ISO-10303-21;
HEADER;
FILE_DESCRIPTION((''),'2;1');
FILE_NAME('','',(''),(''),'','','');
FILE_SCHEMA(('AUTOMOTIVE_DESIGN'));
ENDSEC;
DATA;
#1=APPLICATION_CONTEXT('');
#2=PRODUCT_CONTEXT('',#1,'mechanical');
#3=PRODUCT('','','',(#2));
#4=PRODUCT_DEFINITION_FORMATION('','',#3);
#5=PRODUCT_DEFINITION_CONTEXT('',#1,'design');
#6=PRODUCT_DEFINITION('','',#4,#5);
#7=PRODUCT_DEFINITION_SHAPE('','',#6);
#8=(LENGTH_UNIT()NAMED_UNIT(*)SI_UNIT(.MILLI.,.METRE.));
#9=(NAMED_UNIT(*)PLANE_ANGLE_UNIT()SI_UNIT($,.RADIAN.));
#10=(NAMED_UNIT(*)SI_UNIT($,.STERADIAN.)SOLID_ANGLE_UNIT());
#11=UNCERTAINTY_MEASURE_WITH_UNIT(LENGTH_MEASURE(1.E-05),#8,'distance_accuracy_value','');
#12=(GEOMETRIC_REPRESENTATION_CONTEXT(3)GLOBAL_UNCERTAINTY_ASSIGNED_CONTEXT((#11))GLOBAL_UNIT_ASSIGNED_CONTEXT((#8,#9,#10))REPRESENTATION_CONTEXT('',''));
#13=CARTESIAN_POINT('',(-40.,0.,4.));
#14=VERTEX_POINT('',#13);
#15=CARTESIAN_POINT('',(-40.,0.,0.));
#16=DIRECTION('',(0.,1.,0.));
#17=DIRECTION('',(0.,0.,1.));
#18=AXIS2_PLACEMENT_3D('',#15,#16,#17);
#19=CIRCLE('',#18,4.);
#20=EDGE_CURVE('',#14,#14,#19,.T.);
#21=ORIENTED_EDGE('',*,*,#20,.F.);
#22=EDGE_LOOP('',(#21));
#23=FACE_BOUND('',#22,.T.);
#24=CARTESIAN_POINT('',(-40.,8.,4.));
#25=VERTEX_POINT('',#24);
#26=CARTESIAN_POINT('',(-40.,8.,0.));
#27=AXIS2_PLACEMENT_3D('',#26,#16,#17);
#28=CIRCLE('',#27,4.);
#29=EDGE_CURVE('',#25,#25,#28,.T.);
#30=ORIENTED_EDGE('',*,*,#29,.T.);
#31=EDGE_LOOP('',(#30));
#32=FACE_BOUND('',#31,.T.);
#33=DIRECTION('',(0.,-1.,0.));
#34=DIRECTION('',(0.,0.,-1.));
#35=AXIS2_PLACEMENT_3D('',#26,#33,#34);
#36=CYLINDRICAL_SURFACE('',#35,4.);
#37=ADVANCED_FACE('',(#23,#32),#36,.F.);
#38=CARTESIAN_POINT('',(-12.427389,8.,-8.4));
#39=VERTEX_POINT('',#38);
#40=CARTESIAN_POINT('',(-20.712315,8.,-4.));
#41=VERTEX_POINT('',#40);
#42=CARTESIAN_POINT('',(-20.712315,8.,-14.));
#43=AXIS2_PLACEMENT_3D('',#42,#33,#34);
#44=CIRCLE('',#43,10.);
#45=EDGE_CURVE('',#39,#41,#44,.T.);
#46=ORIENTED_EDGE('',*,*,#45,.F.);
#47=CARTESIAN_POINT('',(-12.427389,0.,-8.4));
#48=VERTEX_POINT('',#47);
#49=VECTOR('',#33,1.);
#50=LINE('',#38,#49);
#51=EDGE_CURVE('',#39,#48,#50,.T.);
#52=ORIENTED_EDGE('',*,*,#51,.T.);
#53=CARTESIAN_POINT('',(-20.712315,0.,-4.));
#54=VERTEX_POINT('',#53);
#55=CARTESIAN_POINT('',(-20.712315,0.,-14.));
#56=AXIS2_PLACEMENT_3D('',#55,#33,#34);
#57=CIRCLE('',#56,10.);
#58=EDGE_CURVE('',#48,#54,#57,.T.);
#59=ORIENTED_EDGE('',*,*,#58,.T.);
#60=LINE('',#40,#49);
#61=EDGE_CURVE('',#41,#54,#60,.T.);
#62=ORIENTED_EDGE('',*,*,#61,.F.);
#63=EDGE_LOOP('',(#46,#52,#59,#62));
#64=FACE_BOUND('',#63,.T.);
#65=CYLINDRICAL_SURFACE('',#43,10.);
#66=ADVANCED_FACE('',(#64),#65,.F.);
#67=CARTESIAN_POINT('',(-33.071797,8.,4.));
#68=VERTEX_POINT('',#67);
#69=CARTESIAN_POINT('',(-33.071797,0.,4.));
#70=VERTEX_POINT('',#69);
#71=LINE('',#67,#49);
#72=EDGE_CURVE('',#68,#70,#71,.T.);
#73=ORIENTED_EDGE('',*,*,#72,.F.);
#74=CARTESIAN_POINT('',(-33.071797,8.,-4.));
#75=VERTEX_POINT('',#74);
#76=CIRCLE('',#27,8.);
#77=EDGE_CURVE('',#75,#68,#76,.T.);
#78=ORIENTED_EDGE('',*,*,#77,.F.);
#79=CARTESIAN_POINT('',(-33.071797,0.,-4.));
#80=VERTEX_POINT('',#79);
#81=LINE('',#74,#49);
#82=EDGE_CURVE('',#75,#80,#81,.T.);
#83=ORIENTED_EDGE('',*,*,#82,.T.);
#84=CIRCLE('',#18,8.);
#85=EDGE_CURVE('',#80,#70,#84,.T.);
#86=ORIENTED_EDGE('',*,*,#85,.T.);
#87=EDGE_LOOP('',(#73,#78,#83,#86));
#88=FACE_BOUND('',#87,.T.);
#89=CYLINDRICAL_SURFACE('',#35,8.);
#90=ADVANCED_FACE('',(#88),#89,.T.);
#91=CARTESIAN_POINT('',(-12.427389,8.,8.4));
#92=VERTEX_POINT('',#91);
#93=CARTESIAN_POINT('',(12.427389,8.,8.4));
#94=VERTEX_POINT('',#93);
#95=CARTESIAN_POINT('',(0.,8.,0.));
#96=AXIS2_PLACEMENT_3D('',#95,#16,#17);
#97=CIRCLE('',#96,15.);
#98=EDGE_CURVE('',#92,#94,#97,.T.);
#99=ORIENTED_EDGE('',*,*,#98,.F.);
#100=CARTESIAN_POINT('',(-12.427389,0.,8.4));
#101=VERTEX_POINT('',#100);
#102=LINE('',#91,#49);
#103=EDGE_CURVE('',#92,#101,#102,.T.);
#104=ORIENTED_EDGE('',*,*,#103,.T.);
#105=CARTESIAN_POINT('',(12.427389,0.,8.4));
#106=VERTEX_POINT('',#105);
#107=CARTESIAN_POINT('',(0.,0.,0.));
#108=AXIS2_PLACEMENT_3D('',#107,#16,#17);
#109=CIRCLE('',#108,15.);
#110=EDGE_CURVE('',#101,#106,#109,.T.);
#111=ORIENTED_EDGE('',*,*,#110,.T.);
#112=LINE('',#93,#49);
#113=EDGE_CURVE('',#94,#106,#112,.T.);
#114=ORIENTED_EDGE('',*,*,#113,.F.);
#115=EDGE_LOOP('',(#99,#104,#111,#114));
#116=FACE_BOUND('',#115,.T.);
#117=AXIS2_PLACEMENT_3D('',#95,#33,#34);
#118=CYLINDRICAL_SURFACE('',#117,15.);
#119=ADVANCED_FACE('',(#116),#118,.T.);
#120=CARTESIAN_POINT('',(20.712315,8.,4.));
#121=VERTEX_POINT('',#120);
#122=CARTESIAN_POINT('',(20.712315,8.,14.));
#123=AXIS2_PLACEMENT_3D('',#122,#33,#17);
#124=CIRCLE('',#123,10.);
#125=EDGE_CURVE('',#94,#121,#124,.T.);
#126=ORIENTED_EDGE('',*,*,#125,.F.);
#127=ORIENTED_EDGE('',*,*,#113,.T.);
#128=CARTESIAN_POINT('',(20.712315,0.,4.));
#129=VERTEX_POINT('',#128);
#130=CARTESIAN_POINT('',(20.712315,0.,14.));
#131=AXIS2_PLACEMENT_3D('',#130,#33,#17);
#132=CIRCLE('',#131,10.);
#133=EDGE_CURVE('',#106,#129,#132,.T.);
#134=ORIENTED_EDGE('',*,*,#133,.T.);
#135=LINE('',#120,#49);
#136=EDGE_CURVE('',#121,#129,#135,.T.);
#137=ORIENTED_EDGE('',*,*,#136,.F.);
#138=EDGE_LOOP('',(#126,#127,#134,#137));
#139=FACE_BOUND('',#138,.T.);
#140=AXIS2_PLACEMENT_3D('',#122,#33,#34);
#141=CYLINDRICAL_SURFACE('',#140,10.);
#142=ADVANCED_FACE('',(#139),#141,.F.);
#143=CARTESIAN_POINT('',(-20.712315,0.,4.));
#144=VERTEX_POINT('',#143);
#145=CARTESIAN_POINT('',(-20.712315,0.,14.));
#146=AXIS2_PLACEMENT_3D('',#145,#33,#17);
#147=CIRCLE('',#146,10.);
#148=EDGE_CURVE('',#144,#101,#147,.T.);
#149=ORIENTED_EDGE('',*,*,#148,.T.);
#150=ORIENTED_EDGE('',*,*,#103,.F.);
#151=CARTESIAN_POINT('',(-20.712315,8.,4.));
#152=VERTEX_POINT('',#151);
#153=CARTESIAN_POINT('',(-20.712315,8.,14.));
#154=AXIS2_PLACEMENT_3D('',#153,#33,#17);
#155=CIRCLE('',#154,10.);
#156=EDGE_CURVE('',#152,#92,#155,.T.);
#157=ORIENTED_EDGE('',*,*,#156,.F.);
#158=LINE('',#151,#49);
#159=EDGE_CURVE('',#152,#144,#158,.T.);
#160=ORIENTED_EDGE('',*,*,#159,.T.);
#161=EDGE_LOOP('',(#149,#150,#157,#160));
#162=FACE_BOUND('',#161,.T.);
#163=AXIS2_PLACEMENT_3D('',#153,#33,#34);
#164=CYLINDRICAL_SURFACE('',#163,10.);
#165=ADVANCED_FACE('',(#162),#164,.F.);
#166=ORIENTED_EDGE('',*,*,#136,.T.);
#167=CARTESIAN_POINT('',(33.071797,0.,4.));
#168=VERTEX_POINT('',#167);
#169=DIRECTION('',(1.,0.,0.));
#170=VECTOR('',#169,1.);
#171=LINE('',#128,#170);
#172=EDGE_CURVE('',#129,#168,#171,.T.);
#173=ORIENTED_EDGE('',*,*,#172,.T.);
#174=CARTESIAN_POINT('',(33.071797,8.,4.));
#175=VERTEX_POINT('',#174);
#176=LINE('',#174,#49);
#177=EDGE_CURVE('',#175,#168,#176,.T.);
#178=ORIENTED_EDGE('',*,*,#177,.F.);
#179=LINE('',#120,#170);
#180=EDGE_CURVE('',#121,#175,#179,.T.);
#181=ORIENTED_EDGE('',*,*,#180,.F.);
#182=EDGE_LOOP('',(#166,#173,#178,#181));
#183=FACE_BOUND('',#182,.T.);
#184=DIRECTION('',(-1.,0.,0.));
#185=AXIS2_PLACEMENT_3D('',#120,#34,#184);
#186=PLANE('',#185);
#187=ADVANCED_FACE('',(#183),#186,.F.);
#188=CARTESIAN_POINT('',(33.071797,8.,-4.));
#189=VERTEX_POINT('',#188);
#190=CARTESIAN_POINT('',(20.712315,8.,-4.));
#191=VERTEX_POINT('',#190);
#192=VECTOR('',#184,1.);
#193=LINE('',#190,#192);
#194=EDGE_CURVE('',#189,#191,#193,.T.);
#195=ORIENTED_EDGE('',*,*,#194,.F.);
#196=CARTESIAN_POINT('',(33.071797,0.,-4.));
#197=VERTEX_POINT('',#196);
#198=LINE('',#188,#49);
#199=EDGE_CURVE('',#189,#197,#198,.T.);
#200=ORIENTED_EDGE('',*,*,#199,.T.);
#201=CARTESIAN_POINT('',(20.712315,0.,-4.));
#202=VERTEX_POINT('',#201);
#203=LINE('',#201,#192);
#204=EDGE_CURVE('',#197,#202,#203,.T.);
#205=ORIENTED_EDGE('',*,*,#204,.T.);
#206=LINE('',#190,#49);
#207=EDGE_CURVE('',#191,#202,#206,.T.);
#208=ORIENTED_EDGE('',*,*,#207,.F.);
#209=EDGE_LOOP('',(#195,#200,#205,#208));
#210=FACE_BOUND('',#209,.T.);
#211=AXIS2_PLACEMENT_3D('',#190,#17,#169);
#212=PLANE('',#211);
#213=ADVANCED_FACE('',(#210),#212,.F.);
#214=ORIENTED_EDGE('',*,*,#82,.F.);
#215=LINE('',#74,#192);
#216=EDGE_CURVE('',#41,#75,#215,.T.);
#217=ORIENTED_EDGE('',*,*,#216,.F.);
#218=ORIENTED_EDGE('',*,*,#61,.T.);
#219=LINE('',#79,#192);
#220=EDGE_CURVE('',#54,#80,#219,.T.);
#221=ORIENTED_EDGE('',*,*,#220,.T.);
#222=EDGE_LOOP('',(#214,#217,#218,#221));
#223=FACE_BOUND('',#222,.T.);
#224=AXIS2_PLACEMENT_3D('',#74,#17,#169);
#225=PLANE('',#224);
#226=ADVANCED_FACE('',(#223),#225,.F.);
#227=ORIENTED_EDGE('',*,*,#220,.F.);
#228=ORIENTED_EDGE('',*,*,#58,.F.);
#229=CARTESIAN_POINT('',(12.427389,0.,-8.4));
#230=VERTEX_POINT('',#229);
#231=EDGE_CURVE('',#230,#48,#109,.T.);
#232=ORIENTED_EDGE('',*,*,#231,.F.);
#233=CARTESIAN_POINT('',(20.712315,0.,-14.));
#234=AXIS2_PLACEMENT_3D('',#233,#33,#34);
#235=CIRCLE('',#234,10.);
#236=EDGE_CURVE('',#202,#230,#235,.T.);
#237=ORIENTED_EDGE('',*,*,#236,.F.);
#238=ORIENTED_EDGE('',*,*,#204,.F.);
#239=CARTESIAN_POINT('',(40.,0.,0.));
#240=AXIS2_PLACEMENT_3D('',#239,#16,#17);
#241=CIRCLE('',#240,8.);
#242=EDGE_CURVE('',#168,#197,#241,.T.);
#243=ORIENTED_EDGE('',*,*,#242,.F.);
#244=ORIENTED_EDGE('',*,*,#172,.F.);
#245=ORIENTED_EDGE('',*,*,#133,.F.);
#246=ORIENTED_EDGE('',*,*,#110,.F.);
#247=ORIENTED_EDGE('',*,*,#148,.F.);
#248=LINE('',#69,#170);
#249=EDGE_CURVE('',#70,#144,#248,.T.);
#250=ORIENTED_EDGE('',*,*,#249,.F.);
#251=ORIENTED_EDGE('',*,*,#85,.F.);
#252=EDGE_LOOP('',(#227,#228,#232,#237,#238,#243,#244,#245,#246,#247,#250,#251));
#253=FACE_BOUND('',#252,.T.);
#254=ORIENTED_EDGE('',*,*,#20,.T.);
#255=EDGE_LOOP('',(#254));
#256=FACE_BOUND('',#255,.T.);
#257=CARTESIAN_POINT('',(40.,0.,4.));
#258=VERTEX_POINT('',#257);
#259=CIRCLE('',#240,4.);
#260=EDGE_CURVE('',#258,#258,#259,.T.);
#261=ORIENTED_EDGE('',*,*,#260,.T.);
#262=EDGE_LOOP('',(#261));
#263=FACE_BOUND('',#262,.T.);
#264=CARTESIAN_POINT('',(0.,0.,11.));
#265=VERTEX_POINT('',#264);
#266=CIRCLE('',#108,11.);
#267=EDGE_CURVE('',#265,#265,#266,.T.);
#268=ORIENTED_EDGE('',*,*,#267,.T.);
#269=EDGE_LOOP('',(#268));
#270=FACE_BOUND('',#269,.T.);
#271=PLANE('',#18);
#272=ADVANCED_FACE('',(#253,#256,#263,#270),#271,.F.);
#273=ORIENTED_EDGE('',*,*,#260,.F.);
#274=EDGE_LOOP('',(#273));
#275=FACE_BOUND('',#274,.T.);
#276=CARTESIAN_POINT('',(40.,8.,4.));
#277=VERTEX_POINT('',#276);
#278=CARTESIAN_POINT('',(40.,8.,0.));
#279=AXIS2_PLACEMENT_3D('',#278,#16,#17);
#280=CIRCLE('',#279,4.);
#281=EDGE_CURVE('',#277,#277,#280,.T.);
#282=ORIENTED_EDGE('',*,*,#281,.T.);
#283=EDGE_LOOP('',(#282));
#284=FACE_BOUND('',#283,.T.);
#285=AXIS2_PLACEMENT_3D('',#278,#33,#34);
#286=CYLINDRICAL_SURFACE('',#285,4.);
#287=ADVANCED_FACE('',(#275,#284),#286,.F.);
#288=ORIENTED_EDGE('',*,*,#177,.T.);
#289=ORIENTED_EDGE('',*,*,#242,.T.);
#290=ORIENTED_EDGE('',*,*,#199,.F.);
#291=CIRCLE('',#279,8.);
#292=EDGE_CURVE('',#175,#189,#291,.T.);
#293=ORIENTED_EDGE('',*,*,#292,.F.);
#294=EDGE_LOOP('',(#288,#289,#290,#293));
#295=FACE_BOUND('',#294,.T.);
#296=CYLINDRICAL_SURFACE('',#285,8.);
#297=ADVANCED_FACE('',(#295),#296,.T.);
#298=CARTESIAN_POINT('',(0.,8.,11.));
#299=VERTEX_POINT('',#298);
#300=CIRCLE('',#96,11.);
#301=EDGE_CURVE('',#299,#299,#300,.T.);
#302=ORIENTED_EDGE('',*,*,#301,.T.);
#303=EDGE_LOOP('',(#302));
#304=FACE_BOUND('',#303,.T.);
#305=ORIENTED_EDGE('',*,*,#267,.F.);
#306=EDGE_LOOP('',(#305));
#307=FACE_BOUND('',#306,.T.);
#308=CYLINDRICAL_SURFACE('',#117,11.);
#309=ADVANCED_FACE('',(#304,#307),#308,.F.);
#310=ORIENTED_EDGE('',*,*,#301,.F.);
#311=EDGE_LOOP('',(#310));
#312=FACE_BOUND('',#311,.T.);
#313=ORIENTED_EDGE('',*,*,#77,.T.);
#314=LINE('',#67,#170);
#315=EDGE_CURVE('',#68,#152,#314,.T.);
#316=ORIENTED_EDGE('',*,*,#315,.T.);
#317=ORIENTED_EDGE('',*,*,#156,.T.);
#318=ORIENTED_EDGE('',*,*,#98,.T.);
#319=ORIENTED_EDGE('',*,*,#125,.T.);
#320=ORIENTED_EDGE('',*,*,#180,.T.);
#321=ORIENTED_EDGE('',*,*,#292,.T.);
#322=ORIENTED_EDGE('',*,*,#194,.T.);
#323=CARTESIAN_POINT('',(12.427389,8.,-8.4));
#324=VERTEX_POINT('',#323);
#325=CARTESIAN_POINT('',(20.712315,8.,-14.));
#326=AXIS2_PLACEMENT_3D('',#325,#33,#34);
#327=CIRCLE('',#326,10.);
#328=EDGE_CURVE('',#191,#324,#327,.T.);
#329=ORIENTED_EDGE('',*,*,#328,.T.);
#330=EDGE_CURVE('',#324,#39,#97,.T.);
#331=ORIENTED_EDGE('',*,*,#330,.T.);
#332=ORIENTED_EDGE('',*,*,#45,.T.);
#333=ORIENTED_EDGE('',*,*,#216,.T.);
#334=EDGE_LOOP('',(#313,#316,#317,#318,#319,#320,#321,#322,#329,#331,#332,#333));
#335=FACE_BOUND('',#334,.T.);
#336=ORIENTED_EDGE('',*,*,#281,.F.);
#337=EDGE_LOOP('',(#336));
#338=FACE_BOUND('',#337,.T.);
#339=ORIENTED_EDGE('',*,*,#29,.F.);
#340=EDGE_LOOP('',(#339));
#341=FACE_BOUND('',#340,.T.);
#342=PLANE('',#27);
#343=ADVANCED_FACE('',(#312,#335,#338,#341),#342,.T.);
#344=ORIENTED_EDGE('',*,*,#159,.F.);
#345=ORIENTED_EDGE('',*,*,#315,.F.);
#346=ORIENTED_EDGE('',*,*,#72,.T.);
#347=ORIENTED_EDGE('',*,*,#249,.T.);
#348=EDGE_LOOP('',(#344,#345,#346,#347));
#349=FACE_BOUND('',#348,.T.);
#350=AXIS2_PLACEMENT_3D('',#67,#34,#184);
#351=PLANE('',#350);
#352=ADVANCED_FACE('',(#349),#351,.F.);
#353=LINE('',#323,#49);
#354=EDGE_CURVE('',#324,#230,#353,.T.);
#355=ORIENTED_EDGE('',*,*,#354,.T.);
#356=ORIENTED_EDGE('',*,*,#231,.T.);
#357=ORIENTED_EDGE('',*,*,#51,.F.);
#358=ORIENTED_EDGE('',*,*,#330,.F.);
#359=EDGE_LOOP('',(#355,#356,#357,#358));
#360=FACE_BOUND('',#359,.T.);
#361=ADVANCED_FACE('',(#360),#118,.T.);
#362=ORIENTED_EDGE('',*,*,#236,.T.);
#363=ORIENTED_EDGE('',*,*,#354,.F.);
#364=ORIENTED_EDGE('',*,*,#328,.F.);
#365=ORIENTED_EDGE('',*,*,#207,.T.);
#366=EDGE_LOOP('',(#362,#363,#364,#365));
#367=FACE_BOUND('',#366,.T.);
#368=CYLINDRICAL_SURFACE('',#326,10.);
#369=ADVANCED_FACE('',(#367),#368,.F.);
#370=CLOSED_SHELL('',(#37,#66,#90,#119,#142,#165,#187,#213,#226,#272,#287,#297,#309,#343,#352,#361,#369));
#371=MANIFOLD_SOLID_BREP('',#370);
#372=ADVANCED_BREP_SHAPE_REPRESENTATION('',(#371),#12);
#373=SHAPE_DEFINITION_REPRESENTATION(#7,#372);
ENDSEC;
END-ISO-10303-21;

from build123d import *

# Parameters (mm, degrees)
ESBO_O1_R                = 4
ESBO_O1_R_2              = 11
RESSALTO_EXTRUS_O1_DEPTH = 8


with BuildPart() as part:
    # Esboço1 → Ressalto-extrusão1 (new body)
    with BuildSketch(Plane(origin=(0, 0, 0), x_dir=(1, 0, 0), z_dir=(0, 1, 0))):
        with BuildLine():
            Line((-33.07179677, 4), (-20.712315177, 4))
            ThreePointArc((-20.712315177, 4), (-16.021899417, 5.168239134), (-12.427389106, 8.4))
            ThreePointArc((-12.427389106, 8.4), (0, 15), (12.427389106, 8.4))
            ThreePointArc((12.427389106, 8.4), (16.021899417, 5.168239134), (20.712315177, 4))
            Line((20.712315177, 4), (33.07179677, 4))
            ThreePointArc((33.07179677, 4), (48, 0), (33.07179677, -4))
            Line((33.07179677, -4), (20.712315177, -4))
            ThreePointArc((20.712315177, -4), (16.021899417, -5.168239134), (12.427389106, -8.4))
            ThreePointArc((12.427389106, -8.4), (0, -15), (-12.427389106, -8.4))
            ThreePointArc((-12.427389106, -8.4), (-16.021899417, -5.168239134), (-20.712315177, -4))
            Line((-20.712315177, -4), (-33.07179677, -4))
            ThreePointArc((-33.07179677, -4), (-48, 0), (-33.07179677, 4))
        make_face()
        with Locations(Location((40, 0, 0), (0, 0, 270))):
            Circle(ESBO_O1_R, mode=Mode.SUBTRACT)
        with Locations(Location((-40, 0, 0), (0, 0, 270))):
            Circle(ESBO_O1_R, mode=Mode.SUBTRACT)
        with Locations(Location((0, 0, 0), (0, 0, 270))):
            Circle(ESBO_O1_R_2, mode=Mode.SUBTRACT)
    extrude(amount=RESSALTO_EXTRUS_O1_DEPTH)


solid = part.part
